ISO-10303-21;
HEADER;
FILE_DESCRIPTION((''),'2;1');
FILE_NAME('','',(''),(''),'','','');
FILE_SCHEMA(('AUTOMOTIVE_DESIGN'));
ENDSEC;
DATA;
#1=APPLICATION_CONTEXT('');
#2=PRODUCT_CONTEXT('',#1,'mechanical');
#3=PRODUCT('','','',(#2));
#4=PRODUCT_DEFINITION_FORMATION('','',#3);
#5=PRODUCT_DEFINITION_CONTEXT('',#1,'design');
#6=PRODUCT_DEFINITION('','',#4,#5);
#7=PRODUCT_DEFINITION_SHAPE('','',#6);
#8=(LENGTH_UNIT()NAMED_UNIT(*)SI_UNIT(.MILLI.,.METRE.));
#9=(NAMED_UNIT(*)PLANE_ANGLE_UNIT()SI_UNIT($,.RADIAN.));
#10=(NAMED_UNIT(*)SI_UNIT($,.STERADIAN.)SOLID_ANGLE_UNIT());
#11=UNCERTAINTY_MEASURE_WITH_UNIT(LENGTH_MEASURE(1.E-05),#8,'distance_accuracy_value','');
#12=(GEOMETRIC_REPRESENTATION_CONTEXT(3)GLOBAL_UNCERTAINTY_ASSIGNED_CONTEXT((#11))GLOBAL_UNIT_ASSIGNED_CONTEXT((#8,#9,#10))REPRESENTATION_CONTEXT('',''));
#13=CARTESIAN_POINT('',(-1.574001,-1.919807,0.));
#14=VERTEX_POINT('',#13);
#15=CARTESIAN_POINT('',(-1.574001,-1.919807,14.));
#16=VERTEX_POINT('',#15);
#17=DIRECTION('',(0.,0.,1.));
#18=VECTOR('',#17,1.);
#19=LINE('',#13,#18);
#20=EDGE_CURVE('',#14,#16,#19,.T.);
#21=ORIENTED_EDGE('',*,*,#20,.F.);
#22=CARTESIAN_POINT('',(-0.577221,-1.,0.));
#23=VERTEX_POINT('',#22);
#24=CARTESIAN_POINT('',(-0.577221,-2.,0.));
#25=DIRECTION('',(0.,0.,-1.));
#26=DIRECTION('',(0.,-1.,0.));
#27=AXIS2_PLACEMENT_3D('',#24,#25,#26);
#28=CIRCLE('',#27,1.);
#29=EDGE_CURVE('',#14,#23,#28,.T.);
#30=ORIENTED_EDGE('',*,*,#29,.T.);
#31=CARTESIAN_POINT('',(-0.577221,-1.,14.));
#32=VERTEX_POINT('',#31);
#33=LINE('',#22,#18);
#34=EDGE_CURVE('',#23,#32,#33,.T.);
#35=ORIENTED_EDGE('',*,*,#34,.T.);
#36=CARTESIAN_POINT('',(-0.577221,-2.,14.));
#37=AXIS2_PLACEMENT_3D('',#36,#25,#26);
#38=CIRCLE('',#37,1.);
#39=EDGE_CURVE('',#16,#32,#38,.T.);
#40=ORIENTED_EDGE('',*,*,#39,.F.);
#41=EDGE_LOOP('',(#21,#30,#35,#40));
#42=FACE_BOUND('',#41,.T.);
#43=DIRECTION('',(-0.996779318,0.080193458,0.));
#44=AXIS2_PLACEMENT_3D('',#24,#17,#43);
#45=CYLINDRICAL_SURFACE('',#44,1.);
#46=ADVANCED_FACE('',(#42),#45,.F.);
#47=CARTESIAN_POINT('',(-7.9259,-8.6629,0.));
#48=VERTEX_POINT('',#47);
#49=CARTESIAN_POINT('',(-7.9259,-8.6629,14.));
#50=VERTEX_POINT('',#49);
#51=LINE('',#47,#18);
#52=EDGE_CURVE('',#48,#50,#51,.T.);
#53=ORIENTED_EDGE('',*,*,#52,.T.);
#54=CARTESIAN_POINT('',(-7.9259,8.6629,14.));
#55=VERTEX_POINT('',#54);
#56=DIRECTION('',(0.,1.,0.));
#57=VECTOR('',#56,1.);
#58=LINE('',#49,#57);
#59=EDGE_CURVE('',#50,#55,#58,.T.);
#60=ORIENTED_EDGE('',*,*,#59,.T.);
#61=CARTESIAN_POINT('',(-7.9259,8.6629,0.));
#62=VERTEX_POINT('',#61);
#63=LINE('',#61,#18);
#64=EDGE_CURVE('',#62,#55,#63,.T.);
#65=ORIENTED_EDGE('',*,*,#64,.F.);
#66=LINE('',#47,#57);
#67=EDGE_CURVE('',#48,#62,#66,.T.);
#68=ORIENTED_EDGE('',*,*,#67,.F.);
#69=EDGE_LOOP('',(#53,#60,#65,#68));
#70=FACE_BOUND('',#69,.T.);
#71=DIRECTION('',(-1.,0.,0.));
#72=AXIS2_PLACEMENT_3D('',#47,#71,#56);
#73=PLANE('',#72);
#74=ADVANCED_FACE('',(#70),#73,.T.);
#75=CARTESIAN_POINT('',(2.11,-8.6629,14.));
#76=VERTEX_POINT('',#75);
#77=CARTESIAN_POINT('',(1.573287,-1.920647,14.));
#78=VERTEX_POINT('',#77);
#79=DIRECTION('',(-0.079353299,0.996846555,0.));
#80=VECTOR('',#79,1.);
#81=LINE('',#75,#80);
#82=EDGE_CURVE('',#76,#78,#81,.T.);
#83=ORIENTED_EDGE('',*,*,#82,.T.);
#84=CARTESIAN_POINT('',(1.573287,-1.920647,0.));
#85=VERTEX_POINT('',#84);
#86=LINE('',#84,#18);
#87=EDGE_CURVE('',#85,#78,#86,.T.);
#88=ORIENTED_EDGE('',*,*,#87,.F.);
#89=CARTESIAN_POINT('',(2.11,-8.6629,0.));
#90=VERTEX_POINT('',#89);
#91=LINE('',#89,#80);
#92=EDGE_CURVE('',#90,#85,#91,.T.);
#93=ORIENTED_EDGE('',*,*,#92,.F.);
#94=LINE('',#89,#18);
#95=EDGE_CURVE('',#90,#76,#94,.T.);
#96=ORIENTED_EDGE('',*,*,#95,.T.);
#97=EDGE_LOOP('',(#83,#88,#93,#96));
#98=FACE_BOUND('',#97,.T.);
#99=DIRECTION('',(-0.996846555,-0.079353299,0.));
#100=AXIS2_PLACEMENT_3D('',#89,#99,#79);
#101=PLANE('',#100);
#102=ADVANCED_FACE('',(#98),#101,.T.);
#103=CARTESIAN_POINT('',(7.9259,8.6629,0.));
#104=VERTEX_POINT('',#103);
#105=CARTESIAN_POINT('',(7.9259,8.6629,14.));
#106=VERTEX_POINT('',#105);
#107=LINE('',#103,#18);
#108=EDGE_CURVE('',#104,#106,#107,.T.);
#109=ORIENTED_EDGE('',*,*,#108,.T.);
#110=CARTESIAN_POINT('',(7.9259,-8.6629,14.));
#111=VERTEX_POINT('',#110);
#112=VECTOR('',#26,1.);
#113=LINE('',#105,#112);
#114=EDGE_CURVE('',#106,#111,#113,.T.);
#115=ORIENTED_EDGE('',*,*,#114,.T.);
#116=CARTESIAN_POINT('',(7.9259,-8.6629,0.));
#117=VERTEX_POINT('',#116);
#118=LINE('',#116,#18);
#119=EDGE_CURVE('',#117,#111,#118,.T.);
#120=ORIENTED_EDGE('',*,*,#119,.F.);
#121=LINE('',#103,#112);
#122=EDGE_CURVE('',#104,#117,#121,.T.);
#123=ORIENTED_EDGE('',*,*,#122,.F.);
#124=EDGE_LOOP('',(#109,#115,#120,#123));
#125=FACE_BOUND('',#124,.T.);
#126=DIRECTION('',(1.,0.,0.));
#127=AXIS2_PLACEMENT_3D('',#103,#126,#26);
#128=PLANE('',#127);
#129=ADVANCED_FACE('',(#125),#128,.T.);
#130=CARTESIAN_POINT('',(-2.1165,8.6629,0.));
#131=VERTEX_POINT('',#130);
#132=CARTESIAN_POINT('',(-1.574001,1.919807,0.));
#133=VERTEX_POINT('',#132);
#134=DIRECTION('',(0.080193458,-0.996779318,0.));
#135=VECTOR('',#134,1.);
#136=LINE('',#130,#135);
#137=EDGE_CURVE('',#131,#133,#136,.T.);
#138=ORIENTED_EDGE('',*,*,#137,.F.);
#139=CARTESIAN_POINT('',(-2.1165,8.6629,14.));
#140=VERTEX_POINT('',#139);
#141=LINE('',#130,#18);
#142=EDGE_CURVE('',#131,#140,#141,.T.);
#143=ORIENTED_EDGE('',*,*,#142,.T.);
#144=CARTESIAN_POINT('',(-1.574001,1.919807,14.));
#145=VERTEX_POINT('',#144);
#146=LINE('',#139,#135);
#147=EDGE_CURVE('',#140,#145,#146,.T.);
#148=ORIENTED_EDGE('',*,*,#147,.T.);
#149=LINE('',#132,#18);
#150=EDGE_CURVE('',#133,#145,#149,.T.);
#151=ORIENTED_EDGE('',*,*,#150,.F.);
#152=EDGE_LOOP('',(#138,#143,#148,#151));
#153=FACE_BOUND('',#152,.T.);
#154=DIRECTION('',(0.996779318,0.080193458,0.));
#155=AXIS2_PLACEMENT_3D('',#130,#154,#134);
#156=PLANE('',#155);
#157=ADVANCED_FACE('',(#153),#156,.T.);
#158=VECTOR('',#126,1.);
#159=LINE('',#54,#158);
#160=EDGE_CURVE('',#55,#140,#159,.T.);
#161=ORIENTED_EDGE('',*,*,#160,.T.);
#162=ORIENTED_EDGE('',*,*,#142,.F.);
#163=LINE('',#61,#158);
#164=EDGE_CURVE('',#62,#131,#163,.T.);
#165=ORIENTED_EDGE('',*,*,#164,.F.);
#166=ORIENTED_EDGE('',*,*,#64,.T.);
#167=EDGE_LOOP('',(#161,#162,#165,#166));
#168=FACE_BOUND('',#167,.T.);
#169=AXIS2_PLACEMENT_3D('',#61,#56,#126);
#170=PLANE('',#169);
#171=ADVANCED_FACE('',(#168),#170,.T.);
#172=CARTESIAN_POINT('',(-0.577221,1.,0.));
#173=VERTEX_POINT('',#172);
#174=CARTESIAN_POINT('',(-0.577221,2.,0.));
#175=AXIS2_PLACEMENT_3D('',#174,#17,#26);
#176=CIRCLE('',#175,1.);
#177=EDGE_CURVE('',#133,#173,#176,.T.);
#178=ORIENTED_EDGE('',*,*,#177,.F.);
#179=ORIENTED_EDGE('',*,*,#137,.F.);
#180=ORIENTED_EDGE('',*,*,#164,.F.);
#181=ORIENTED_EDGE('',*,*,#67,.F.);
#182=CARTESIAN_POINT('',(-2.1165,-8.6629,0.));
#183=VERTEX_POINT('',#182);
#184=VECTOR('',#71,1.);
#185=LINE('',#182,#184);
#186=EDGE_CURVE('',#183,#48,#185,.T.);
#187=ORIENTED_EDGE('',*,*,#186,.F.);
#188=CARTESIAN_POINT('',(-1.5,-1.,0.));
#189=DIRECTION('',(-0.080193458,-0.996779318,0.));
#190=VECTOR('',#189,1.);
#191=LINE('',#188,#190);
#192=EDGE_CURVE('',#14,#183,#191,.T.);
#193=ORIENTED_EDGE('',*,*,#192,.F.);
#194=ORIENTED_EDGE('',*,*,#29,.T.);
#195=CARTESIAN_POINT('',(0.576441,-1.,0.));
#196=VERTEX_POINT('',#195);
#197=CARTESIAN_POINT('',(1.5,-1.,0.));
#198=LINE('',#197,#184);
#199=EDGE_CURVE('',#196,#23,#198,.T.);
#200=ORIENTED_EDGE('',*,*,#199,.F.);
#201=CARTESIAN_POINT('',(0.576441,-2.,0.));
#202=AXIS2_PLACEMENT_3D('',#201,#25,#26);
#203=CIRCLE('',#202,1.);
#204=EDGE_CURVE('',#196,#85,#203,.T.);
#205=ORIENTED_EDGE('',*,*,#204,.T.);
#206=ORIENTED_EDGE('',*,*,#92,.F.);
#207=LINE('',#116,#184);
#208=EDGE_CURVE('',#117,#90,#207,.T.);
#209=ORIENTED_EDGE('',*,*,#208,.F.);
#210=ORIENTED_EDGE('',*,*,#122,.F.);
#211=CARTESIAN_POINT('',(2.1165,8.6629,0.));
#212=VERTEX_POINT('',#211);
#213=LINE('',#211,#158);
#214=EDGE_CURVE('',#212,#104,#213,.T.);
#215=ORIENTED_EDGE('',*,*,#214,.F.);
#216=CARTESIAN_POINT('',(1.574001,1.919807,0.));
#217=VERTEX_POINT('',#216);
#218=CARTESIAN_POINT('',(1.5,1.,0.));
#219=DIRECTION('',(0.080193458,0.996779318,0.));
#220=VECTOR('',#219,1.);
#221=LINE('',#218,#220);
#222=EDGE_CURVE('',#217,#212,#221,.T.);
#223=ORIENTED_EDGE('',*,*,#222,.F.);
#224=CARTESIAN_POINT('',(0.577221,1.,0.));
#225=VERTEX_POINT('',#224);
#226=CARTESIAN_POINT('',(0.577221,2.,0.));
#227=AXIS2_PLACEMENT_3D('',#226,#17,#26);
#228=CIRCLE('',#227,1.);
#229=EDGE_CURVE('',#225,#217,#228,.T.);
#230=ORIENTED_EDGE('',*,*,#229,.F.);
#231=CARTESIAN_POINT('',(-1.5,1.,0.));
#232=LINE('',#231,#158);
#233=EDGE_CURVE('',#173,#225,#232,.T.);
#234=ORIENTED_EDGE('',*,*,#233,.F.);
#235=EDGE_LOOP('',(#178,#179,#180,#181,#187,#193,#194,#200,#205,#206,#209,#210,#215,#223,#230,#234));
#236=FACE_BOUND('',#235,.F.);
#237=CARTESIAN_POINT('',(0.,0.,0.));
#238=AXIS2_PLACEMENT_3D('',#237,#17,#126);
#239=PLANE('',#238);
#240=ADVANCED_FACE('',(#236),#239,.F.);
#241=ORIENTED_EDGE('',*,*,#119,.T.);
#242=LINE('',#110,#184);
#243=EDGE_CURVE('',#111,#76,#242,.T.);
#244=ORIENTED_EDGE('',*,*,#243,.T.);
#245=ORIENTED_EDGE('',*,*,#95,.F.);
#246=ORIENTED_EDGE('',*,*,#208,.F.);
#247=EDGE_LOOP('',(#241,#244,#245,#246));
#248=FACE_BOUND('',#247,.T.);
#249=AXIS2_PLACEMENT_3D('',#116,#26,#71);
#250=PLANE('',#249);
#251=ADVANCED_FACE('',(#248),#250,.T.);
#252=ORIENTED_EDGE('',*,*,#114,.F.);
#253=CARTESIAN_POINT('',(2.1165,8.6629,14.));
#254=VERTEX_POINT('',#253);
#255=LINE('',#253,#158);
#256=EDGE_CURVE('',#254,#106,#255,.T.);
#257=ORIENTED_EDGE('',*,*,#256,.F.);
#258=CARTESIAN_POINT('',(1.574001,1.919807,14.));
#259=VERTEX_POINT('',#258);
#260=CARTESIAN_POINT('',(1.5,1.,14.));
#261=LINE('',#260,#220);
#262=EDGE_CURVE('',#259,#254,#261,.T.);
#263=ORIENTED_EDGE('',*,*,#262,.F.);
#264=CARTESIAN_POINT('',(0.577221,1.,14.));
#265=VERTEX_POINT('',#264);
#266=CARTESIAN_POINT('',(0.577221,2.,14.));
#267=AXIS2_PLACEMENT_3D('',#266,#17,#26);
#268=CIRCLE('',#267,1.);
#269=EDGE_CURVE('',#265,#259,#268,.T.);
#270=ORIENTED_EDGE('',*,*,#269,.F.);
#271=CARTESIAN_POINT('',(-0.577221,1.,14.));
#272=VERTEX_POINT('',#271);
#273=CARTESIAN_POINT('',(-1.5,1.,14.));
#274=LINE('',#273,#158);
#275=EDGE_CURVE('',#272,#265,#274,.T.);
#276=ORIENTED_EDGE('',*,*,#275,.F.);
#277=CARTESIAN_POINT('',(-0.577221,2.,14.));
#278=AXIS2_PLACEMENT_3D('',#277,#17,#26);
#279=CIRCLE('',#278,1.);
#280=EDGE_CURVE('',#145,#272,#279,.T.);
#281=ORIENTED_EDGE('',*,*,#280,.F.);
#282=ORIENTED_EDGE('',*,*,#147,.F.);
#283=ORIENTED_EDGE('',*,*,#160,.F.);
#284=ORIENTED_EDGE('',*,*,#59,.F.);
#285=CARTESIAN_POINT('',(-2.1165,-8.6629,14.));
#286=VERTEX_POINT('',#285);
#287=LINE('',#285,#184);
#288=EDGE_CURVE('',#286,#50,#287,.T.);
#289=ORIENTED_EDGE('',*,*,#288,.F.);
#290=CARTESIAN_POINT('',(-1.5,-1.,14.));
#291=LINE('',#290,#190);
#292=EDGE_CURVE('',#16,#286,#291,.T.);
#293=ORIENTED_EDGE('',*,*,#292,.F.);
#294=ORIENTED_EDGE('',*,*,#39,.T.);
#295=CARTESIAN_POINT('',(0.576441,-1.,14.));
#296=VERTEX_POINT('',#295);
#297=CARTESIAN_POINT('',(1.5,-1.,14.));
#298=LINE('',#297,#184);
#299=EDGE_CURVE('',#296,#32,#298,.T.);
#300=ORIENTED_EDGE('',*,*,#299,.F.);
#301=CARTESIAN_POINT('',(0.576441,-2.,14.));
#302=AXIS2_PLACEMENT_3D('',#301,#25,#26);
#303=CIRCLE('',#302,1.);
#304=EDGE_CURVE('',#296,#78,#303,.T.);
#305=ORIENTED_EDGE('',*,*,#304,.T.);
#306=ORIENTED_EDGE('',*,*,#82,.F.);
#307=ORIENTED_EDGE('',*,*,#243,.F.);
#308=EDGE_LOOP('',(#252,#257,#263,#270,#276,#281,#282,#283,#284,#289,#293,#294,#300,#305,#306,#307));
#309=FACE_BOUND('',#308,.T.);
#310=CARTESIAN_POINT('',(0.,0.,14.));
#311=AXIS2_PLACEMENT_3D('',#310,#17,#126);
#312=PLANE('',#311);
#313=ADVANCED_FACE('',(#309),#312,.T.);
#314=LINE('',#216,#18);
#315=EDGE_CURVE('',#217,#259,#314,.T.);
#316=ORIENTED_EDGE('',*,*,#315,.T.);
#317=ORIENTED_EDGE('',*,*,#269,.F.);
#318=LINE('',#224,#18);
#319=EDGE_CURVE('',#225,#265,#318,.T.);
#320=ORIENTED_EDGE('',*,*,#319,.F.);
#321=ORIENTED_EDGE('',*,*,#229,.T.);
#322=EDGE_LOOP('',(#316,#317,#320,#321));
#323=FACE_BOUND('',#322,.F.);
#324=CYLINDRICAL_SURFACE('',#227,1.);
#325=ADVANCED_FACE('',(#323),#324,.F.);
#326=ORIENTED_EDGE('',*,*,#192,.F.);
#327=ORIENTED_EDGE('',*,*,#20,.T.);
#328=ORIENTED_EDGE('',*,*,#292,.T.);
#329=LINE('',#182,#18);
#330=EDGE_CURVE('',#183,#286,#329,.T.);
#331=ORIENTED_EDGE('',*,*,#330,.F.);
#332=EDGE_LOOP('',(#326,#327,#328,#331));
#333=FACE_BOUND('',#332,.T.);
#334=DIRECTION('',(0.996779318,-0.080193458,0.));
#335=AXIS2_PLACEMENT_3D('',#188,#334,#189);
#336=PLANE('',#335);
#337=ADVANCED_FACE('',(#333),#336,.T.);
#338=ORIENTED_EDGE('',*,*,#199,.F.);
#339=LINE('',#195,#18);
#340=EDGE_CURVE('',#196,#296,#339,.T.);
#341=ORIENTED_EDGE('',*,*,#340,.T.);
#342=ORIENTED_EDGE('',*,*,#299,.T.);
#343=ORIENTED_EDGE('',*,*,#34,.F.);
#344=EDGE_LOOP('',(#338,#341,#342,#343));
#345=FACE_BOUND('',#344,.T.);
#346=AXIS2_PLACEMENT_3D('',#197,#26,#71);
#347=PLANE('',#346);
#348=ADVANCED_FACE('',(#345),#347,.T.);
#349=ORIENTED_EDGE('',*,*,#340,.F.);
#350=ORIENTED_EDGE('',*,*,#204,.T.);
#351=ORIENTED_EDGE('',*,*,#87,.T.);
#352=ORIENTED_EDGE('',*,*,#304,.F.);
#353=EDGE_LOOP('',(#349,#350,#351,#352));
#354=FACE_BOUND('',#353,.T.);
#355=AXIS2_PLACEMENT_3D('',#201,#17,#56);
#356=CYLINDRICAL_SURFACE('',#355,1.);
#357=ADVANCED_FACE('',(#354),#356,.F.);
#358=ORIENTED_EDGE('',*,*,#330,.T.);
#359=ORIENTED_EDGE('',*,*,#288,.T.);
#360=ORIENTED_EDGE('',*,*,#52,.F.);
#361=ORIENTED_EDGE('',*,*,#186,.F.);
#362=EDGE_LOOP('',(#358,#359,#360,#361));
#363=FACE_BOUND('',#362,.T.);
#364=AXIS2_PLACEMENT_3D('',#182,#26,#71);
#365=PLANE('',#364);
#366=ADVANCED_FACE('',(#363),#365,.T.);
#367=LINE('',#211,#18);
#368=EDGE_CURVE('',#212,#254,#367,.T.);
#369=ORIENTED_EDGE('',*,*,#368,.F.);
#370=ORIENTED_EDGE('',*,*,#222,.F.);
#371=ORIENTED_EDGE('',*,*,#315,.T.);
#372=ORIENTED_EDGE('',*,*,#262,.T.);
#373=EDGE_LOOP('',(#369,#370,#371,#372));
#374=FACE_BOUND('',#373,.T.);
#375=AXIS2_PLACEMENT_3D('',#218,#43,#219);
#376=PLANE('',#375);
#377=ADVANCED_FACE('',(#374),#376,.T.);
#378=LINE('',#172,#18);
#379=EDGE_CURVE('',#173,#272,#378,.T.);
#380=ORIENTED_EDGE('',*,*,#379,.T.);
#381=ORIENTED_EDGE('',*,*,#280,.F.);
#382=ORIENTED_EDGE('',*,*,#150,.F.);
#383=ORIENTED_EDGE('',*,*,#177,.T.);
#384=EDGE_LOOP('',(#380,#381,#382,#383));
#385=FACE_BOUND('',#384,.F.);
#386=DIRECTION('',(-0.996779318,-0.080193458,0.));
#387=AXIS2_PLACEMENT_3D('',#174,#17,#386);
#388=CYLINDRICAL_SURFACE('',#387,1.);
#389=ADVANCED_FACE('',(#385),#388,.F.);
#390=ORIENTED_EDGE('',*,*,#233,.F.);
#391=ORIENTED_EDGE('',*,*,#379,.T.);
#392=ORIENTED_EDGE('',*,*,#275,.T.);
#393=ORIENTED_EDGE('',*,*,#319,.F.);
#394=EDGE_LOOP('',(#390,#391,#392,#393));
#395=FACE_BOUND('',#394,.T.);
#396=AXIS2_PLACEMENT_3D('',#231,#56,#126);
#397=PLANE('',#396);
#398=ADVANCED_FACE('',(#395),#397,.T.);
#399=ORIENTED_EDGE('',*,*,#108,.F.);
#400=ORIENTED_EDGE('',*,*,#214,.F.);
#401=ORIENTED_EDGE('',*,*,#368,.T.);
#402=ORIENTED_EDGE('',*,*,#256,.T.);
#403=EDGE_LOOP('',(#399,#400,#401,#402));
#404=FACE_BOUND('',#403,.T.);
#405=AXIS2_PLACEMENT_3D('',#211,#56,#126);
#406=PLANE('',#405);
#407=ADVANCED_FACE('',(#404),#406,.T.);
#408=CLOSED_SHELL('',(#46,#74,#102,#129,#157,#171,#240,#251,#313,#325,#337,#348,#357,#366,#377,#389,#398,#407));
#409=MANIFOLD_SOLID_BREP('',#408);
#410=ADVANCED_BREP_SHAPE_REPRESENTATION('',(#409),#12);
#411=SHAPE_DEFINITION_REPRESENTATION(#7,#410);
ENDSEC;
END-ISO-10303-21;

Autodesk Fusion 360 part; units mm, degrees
sketch "Sketch1" plane through (0, 0, 0) normal (0, 0, 1) x (1, 0, 0)
  line L0 (-7.9259, 8.6629) -> (-2.1165, 8.6629)
  line L1 (-1.5, 1) -> (-1.5, -1)
  line L2 (-2.1165, -8.6629) -> (-7.9259, -8.6629)
  line L3 (-7.9259, -8.6629) -> (-7.9259, 8.6629)
  line L4 (2.1165, 8.6629) -> (7.9259, 8.6629)
  line L5 (7.9259, 8.6629) -> (7.9259, -8.6629)
  line L6 (7.9259, -8.6629) -> (2.11, -8.6629)
  line L7 (1.5, -1) -> (1.5, 1)
  line L8 (-48.0743, 0) -> (41.8844, 0) construction
  line L9 (1.5, 18.5935) -> (0, 18.5935) construction
  line L10 (0, 0) -> (0, 17.2446) construction
  line L11 (0, 18.5935) -> (-1.5, 18.5935) construction
  line L12 (-1.5, 1) -> (1.5, 1)
  line L13 (1.5, 1) -> (1.5, -1)
  line L14 (1.5, -1) -> (-1.5, -1)
  line L15 (-1.5, -1) -> (-1.5, 1)
  line L16 (-2.1165, 8.6629) -> (-1.5, 1)
  line L17 (-1.5, -1) -> (-2.1165, -8.6629)
  line L18 (2.11, -8.6629) -> (1.5, -1)
  line L19 (-1.5, -1) -> (-1.5, -18.4253) construction
  line L20 (1.5, 0) -> (7.9259, 0) construction
  line L21 (-1.5, 0) -> (-7.9259, 0) construction
  line L22 (1.5, 1) -> (2.1165, 8.6629)
  line L23 (-1.5, 1) -> (-1.5, 16.5395) construction
  point P0 (1.5, 0)
  point P1 (-1.5, 0)
  point P2 (1.5, 0)
  point P3 (7.9259, 0)
  point P4 (-7.9259, 0)
  dimension "d1" = 4.6
  dimension "d2" = 4.6
  dimension "d3" = 2
  dimension "d8" = 3
extrude "Extrude1" add sketch "Sketch1" along normal blind 14
fillet "Fillet1" radius 1 4 edges at (-1.5, -1, 7) (1.5, -1, 7) (-1.5, 1, 7) (1.5, 1, 7)
equation "d2 = d1"
